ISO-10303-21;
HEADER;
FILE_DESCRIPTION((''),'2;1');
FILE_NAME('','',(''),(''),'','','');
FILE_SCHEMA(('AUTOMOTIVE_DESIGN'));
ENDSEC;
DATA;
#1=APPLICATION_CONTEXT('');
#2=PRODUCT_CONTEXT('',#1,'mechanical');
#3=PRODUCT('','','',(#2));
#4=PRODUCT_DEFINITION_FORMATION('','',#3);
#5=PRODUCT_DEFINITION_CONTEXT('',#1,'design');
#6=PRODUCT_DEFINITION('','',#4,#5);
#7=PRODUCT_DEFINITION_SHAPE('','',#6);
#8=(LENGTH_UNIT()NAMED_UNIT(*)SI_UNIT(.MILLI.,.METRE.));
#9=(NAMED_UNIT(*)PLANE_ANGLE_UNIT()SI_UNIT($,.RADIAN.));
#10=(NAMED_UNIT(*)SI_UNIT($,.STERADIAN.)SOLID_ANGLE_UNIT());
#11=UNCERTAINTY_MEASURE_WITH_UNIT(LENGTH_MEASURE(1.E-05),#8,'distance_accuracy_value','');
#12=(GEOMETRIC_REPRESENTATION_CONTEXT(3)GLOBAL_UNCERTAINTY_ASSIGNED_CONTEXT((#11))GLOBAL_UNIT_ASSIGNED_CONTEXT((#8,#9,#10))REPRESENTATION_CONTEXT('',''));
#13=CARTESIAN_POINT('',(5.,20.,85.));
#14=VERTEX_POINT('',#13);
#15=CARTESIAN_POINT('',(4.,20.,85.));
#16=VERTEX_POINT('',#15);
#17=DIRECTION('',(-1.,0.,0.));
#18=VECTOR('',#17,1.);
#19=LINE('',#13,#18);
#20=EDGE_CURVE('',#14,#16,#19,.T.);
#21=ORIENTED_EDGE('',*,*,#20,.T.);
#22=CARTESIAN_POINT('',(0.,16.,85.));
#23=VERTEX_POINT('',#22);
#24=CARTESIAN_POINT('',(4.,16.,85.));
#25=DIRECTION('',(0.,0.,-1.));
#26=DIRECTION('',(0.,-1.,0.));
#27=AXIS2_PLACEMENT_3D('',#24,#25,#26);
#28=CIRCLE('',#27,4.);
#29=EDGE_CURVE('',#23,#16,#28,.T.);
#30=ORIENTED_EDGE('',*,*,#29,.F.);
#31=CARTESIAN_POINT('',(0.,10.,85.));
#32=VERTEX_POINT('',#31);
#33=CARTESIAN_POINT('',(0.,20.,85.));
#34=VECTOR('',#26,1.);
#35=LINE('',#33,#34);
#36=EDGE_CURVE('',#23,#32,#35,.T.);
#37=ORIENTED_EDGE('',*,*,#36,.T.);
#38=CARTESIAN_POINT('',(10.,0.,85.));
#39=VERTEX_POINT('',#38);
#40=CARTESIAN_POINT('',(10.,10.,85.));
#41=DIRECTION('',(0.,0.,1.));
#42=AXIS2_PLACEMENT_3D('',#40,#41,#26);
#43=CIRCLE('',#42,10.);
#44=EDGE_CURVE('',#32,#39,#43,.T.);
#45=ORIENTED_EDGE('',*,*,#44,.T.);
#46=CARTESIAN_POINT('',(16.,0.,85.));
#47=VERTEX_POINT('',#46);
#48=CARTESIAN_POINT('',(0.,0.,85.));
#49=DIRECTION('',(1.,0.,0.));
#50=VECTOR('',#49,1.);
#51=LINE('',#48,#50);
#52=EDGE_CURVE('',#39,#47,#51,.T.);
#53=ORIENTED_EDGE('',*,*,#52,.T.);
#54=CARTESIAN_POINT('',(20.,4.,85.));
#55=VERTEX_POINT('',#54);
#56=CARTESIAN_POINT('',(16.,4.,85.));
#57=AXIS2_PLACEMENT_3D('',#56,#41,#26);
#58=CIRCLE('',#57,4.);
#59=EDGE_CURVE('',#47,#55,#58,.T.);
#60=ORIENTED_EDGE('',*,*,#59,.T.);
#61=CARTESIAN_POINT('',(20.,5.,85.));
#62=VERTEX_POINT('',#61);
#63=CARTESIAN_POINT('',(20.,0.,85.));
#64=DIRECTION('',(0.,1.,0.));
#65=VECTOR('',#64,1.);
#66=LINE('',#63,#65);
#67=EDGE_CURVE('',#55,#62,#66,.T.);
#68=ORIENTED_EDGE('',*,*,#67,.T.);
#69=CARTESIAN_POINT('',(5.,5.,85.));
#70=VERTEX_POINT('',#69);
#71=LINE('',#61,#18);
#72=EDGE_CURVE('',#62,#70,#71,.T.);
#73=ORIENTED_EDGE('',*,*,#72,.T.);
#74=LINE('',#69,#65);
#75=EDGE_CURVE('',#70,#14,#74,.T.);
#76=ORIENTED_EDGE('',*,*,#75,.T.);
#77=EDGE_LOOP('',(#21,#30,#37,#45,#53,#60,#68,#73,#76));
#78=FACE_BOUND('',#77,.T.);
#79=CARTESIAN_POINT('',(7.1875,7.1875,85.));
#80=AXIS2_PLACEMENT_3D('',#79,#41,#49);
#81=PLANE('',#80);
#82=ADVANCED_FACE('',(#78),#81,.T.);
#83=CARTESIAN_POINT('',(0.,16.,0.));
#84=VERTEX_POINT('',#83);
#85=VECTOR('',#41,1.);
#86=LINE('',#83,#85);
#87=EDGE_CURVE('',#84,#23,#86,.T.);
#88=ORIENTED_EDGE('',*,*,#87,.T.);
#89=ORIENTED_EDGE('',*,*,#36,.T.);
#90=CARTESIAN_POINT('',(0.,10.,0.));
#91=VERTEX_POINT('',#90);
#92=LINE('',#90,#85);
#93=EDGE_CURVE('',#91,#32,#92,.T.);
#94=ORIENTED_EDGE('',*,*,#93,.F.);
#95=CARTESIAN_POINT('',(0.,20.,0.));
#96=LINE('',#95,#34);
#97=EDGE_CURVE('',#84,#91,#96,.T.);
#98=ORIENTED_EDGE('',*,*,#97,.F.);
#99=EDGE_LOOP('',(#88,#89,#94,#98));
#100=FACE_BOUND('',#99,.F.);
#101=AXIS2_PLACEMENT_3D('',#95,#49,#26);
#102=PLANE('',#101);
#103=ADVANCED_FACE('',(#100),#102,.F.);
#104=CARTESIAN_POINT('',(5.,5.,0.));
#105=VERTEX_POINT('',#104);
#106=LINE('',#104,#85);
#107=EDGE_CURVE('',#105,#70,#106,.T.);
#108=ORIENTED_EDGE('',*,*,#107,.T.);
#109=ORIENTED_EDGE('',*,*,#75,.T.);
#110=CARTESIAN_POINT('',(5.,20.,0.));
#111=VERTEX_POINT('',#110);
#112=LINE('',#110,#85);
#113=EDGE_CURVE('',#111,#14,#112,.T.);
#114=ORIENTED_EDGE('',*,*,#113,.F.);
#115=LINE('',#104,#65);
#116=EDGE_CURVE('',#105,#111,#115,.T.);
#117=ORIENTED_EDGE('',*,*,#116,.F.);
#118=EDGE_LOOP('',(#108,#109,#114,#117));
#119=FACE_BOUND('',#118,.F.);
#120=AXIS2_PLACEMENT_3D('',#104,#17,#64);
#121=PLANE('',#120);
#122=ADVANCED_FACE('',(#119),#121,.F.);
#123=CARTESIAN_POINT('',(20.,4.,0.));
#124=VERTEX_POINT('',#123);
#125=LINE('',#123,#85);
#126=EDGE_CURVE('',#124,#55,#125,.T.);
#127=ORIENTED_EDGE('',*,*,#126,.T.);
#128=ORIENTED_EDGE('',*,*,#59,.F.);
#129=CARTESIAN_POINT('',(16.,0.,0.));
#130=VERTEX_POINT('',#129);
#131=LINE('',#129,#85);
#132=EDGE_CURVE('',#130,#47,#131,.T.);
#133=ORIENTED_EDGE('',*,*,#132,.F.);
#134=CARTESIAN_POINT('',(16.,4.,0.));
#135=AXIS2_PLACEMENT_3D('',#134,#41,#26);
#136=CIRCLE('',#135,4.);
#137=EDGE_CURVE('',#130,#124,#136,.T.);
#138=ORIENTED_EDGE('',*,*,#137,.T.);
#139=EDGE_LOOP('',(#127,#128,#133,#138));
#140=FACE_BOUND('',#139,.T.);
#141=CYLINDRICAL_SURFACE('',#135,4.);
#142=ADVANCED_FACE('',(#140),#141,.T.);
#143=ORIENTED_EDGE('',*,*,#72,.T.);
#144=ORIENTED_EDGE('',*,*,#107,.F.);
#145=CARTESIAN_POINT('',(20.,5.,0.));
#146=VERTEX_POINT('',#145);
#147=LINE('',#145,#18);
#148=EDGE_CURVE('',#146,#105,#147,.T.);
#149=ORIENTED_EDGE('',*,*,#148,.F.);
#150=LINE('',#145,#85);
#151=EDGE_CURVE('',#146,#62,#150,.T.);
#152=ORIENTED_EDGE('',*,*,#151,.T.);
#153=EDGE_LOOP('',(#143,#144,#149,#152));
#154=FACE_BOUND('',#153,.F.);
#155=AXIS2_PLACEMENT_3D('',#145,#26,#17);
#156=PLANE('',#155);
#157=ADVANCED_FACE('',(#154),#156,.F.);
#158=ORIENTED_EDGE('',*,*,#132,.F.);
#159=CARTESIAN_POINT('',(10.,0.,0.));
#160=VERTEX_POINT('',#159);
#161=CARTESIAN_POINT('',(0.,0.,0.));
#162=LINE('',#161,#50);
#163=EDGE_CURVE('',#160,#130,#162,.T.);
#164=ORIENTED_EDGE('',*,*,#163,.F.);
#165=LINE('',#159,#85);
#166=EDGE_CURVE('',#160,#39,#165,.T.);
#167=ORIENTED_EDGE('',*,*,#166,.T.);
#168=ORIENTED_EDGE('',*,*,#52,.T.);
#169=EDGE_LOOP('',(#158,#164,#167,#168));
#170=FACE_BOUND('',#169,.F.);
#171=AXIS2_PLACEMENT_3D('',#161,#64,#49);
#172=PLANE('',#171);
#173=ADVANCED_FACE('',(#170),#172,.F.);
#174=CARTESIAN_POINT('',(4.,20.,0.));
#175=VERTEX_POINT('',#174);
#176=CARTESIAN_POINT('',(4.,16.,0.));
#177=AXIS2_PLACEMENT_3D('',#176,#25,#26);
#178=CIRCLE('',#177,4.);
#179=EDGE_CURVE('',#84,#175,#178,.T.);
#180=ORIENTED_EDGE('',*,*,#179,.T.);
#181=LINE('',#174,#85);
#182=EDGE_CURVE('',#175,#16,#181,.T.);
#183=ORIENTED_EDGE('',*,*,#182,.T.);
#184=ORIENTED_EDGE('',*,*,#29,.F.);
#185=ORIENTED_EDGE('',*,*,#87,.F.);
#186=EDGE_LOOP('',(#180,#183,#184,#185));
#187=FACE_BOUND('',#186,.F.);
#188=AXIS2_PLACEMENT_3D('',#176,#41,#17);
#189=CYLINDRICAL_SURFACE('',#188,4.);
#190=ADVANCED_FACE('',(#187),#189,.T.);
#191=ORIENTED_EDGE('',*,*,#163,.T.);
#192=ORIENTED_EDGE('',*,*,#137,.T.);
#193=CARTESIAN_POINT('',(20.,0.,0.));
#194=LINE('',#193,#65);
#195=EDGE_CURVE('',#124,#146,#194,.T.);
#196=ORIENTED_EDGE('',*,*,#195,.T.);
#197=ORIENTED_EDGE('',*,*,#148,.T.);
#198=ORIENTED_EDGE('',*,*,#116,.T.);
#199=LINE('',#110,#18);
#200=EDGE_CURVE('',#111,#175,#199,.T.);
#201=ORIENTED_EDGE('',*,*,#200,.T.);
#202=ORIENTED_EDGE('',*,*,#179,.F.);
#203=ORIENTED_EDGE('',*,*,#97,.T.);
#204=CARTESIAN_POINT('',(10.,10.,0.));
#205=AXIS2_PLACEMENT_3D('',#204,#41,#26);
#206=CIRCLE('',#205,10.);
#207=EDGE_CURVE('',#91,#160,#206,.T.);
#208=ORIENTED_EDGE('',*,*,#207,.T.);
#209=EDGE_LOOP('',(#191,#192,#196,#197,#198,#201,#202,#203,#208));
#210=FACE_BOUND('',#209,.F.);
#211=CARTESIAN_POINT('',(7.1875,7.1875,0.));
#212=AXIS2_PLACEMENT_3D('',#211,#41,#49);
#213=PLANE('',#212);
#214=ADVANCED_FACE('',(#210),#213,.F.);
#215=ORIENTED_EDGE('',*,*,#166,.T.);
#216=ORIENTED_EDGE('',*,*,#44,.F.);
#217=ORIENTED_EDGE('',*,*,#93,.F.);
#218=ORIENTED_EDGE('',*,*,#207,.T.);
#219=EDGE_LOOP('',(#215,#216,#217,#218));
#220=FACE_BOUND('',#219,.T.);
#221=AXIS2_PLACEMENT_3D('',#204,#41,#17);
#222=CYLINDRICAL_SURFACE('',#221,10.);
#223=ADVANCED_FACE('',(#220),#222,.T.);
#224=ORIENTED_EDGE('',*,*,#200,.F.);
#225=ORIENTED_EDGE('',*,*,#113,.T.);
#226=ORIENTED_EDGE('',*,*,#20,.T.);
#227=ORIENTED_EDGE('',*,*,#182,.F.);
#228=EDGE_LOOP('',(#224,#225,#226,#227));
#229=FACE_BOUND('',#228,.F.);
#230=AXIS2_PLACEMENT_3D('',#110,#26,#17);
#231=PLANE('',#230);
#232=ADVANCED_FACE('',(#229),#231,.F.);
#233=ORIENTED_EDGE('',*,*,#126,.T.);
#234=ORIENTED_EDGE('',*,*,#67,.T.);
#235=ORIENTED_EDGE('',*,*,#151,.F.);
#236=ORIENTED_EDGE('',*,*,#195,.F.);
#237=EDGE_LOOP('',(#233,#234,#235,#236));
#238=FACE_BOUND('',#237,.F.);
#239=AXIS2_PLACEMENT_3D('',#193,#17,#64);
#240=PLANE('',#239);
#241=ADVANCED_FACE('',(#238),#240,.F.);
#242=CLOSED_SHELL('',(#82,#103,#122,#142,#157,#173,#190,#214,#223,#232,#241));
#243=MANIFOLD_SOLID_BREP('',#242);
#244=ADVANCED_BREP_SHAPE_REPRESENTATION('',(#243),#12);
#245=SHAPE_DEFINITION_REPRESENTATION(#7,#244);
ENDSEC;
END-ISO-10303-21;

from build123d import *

# Parameters (mm, degrees)
PAD_DEPTH   = 85
FILLET_R    = 10
FILLET001_R = 4


with BuildPart() as part:
    # Sketch → Pad (new body)
    with BuildSketch(Plane.XY):
        Polygon((0, 20), (0, 0), (20, 0), (20, 5), (5, 5), (5, 20), align=None)
    extrude(amount=PAD_DEPTH)

    # Fillet
    fillet_edges = [part.edges().sort_by_distance(p)[0] for p in [
        (0, 0, 42.5),
    ]]
    fillet(fillet_edges, radius=FILLET_R)

    # Fillet001
    fillet001_edges = [part.edges().sort_by_distance(p)[0] for p in [
        (0, 20, 42.5),
        (20, 0, 42.5),
    ]]
    fillet(fillet001_edges, radius=FILLET001_R)


solid = part.part
